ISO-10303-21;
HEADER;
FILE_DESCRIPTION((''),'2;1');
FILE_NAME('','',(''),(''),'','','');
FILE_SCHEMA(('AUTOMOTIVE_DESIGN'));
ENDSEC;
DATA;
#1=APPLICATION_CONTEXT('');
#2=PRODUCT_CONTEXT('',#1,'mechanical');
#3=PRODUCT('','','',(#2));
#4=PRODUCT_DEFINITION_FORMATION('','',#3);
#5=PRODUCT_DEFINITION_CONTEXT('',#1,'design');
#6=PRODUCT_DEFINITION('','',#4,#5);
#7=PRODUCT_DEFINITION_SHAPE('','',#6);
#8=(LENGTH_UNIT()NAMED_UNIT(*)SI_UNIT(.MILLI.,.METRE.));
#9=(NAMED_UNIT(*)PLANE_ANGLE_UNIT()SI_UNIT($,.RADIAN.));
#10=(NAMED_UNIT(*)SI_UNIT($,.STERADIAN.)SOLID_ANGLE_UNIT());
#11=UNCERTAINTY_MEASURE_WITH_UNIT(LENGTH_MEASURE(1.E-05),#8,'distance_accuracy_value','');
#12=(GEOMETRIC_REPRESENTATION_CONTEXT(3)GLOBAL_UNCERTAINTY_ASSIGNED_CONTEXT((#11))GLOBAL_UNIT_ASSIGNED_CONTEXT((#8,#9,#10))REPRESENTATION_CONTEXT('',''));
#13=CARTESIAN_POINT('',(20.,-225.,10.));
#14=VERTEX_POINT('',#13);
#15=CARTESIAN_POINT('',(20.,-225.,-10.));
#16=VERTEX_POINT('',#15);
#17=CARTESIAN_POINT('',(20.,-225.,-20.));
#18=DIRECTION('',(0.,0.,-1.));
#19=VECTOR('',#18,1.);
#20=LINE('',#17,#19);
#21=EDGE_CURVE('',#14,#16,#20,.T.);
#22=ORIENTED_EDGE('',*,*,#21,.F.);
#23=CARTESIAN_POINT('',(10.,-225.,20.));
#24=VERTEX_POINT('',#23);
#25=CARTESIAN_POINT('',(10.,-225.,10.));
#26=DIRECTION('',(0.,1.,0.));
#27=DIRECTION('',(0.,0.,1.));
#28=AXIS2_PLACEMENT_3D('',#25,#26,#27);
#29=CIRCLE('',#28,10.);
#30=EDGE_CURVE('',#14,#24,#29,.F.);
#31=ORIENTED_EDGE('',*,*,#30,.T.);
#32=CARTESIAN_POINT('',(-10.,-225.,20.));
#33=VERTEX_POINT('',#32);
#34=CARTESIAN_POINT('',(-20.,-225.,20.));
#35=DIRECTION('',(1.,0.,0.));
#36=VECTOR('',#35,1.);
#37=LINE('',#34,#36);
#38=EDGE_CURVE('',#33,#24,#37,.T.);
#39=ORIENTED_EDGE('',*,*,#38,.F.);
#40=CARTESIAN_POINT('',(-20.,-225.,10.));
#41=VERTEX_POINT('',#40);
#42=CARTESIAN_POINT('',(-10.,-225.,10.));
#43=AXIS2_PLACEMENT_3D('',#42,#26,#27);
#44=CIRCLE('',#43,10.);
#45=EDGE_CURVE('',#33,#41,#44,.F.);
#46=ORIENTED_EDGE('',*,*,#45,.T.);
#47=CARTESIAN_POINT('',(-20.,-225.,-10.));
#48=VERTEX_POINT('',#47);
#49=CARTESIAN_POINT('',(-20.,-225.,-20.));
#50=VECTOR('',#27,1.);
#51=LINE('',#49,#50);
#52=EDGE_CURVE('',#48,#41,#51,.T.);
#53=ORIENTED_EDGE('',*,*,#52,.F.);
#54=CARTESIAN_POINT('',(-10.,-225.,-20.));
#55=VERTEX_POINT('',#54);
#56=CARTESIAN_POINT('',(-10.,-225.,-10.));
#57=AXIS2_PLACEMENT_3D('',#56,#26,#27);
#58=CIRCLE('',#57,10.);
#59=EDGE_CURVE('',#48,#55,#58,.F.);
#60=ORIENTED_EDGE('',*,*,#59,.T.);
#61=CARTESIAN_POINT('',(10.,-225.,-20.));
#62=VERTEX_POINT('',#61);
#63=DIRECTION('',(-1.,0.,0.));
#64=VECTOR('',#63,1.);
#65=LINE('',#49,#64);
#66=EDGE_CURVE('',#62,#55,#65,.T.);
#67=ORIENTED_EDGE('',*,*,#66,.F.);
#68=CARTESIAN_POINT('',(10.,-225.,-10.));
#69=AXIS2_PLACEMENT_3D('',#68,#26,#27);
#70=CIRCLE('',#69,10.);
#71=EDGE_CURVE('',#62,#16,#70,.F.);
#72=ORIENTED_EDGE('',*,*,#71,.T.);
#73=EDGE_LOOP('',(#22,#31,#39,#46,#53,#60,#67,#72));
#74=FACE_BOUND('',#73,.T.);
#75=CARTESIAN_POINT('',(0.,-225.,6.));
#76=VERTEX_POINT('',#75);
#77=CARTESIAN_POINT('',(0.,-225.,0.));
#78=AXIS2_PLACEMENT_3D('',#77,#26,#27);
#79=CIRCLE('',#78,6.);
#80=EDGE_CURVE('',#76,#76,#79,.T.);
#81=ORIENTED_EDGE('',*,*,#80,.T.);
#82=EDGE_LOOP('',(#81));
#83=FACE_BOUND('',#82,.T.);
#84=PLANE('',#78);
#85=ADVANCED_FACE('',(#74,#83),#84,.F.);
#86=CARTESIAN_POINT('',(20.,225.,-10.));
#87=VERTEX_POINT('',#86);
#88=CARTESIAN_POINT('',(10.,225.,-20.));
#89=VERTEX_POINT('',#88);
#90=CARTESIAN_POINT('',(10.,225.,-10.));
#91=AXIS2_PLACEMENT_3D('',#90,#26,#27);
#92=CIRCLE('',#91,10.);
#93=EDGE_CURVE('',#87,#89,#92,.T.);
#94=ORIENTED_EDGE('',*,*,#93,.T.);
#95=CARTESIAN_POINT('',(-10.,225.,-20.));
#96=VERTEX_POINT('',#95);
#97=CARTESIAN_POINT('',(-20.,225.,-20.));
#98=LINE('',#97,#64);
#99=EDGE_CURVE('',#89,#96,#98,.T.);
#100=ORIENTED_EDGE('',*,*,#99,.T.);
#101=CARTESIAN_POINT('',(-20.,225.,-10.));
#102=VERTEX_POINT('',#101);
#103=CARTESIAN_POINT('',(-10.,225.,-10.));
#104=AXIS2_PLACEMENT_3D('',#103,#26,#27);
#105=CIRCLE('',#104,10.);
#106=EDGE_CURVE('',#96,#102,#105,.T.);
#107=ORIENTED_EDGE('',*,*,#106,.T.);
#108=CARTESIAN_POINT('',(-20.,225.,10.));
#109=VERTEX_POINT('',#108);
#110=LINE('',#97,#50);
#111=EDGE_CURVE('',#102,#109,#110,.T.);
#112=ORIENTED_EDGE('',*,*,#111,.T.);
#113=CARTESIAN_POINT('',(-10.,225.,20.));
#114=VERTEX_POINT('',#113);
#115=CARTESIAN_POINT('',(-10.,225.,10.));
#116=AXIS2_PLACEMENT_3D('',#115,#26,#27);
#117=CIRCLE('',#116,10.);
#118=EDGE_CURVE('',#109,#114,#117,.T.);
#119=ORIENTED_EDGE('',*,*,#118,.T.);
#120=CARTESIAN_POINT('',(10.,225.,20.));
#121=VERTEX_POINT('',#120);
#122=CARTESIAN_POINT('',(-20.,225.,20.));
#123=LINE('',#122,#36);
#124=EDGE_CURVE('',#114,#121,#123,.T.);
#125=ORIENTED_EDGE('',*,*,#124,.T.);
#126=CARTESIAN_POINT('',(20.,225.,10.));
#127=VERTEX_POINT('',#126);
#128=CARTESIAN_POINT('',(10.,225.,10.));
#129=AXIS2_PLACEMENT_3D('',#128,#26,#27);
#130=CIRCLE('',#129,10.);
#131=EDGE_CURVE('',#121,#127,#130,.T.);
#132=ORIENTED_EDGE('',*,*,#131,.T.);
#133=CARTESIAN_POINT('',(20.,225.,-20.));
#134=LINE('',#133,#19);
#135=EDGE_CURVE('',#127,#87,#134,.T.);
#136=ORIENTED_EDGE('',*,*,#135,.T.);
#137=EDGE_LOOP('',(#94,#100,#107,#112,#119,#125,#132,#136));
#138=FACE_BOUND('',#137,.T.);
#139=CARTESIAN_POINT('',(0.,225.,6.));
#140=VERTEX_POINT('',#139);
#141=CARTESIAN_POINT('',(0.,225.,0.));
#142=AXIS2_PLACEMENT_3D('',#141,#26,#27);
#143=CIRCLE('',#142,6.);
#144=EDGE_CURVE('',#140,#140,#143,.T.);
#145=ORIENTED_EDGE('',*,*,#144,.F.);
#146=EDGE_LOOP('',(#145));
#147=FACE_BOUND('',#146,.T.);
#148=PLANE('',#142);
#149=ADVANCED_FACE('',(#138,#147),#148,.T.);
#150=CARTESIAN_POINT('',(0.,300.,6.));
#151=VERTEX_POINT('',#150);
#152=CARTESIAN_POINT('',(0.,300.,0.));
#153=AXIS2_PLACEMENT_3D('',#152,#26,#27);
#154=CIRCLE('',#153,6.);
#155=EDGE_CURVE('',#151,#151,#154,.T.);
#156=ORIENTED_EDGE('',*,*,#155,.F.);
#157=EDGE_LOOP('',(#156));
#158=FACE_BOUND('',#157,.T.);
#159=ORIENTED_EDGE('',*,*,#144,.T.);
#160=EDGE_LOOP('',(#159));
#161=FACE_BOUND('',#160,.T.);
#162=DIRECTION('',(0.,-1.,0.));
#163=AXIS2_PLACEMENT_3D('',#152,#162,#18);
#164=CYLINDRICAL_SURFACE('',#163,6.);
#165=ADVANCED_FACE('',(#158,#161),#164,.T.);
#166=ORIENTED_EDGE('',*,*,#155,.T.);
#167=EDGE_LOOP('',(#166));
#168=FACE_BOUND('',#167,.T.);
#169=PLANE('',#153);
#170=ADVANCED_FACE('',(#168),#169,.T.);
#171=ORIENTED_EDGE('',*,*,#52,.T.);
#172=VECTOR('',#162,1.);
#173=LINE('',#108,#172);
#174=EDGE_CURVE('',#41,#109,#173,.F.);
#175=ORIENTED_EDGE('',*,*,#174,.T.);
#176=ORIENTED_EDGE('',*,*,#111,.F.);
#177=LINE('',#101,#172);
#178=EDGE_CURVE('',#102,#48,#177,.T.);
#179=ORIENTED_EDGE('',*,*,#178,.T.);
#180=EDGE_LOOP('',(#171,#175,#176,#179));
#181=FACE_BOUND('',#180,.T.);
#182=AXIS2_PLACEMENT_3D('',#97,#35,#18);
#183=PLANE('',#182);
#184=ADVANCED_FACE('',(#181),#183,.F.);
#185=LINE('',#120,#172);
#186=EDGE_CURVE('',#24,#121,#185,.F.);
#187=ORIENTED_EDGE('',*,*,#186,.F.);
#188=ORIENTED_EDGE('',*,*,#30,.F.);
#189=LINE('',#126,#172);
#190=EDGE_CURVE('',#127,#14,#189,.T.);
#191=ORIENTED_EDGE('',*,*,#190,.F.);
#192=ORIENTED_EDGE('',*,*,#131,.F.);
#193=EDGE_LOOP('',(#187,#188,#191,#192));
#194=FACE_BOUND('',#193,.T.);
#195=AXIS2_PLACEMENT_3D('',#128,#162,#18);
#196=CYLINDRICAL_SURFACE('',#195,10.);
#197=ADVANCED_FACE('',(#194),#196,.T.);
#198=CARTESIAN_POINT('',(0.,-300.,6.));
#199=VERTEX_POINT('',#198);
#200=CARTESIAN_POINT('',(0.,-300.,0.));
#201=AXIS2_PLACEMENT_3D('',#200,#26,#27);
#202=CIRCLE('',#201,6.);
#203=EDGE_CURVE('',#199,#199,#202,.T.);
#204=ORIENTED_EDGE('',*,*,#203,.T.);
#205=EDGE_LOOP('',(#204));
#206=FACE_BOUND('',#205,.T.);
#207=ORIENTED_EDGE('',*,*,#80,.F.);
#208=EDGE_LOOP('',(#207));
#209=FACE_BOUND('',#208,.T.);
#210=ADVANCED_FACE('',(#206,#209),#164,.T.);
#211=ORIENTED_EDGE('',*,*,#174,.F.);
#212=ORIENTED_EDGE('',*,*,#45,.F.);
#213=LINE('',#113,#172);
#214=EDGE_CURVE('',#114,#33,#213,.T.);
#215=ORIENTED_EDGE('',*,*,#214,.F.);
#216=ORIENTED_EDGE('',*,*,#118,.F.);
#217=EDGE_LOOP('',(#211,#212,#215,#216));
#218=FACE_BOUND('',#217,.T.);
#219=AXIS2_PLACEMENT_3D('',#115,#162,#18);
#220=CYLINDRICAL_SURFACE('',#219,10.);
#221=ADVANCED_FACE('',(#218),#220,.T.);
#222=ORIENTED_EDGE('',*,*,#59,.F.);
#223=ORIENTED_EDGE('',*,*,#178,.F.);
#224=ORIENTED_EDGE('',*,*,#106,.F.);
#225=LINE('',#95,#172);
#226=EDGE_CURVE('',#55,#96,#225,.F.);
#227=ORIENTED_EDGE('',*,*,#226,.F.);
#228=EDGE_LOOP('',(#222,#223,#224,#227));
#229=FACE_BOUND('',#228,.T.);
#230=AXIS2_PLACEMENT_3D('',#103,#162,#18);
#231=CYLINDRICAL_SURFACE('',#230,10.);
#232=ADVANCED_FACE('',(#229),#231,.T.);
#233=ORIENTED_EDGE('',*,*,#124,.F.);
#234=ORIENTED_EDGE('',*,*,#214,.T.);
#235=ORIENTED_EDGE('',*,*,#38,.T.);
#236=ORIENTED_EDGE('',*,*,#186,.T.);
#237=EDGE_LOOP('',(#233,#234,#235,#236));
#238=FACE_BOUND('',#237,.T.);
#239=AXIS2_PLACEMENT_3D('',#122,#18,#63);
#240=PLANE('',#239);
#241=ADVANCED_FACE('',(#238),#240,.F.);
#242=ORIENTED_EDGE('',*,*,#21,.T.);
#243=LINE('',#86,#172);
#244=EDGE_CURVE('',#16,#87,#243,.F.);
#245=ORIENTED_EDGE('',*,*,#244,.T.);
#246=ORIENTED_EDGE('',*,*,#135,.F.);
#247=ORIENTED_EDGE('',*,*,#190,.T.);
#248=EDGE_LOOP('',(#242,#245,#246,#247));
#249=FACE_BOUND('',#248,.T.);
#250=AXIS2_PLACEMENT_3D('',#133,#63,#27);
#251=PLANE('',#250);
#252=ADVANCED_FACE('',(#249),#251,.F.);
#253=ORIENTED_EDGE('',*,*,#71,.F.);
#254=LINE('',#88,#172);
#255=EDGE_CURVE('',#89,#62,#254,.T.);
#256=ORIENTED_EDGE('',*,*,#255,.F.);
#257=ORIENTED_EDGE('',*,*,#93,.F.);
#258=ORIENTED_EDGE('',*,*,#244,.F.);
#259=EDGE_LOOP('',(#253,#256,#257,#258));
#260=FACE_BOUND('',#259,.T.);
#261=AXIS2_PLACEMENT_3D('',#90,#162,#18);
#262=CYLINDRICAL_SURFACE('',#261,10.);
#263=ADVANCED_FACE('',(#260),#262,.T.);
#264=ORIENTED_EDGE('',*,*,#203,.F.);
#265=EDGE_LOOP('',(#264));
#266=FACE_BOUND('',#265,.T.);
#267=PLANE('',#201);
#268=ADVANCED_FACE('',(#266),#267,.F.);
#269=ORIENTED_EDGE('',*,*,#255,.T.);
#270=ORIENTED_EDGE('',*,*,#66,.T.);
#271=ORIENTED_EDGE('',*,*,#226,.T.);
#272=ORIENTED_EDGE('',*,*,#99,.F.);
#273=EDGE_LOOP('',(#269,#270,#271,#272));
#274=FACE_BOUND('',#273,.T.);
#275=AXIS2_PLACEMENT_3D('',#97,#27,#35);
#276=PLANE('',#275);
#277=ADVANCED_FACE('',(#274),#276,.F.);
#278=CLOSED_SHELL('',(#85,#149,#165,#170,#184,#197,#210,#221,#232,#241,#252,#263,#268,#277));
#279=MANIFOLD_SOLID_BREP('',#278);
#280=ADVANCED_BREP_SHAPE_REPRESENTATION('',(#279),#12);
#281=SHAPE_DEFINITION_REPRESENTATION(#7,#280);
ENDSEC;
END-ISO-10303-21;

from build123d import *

# Parameters (mm, degrees)
SKETCH_1_R      = 6
EXTRUDE_1_DEPTH = 300
SKETCH_2_W      = 40
SKETCH_2_H      = 40
EXTRUDE_2_DEPTH = 225
FILLET_1_R      = 10


with BuildPart() as part:
    # 草图1 → 凸台-拉伸1 (new, symmetric)
    with BuildSketch(Plane(origin=(0, 0, 0), x_dir=(1, 0, 0), z_dir=(0, 1, 0))):
        with Locations(Location((0, 0, 0), (0, 0, 270))):
            Circle(SKETCH_1_R)
    extrude(amount=EXTRUDE_1_DEPTH, both=True)

    # 草图2 → 凸台-拉伸2 (add, symmetric)
    with BuildSketch(Plane(origin=(0, 0, 0), x_dir=(1, 0, 0), z_dir=(0, 1, 0))):
        Rectangle(SKETCH_2_W, SKETCH_2_H)
    extrude(amount=EXTRUDE_2_DEPTH, both=True)

    # 圆角1
    fillet_1_edges = [part.edges().sort_by_distance(p)[0] for p in [
        (20, 0, 20),
        (20, 0, -20),
        (-20, 0, -20),
        (-20, 0, 20),
    ]]
    fillet(fillet_1_edges, radius=FILLET_1_R)


solid = part.part
